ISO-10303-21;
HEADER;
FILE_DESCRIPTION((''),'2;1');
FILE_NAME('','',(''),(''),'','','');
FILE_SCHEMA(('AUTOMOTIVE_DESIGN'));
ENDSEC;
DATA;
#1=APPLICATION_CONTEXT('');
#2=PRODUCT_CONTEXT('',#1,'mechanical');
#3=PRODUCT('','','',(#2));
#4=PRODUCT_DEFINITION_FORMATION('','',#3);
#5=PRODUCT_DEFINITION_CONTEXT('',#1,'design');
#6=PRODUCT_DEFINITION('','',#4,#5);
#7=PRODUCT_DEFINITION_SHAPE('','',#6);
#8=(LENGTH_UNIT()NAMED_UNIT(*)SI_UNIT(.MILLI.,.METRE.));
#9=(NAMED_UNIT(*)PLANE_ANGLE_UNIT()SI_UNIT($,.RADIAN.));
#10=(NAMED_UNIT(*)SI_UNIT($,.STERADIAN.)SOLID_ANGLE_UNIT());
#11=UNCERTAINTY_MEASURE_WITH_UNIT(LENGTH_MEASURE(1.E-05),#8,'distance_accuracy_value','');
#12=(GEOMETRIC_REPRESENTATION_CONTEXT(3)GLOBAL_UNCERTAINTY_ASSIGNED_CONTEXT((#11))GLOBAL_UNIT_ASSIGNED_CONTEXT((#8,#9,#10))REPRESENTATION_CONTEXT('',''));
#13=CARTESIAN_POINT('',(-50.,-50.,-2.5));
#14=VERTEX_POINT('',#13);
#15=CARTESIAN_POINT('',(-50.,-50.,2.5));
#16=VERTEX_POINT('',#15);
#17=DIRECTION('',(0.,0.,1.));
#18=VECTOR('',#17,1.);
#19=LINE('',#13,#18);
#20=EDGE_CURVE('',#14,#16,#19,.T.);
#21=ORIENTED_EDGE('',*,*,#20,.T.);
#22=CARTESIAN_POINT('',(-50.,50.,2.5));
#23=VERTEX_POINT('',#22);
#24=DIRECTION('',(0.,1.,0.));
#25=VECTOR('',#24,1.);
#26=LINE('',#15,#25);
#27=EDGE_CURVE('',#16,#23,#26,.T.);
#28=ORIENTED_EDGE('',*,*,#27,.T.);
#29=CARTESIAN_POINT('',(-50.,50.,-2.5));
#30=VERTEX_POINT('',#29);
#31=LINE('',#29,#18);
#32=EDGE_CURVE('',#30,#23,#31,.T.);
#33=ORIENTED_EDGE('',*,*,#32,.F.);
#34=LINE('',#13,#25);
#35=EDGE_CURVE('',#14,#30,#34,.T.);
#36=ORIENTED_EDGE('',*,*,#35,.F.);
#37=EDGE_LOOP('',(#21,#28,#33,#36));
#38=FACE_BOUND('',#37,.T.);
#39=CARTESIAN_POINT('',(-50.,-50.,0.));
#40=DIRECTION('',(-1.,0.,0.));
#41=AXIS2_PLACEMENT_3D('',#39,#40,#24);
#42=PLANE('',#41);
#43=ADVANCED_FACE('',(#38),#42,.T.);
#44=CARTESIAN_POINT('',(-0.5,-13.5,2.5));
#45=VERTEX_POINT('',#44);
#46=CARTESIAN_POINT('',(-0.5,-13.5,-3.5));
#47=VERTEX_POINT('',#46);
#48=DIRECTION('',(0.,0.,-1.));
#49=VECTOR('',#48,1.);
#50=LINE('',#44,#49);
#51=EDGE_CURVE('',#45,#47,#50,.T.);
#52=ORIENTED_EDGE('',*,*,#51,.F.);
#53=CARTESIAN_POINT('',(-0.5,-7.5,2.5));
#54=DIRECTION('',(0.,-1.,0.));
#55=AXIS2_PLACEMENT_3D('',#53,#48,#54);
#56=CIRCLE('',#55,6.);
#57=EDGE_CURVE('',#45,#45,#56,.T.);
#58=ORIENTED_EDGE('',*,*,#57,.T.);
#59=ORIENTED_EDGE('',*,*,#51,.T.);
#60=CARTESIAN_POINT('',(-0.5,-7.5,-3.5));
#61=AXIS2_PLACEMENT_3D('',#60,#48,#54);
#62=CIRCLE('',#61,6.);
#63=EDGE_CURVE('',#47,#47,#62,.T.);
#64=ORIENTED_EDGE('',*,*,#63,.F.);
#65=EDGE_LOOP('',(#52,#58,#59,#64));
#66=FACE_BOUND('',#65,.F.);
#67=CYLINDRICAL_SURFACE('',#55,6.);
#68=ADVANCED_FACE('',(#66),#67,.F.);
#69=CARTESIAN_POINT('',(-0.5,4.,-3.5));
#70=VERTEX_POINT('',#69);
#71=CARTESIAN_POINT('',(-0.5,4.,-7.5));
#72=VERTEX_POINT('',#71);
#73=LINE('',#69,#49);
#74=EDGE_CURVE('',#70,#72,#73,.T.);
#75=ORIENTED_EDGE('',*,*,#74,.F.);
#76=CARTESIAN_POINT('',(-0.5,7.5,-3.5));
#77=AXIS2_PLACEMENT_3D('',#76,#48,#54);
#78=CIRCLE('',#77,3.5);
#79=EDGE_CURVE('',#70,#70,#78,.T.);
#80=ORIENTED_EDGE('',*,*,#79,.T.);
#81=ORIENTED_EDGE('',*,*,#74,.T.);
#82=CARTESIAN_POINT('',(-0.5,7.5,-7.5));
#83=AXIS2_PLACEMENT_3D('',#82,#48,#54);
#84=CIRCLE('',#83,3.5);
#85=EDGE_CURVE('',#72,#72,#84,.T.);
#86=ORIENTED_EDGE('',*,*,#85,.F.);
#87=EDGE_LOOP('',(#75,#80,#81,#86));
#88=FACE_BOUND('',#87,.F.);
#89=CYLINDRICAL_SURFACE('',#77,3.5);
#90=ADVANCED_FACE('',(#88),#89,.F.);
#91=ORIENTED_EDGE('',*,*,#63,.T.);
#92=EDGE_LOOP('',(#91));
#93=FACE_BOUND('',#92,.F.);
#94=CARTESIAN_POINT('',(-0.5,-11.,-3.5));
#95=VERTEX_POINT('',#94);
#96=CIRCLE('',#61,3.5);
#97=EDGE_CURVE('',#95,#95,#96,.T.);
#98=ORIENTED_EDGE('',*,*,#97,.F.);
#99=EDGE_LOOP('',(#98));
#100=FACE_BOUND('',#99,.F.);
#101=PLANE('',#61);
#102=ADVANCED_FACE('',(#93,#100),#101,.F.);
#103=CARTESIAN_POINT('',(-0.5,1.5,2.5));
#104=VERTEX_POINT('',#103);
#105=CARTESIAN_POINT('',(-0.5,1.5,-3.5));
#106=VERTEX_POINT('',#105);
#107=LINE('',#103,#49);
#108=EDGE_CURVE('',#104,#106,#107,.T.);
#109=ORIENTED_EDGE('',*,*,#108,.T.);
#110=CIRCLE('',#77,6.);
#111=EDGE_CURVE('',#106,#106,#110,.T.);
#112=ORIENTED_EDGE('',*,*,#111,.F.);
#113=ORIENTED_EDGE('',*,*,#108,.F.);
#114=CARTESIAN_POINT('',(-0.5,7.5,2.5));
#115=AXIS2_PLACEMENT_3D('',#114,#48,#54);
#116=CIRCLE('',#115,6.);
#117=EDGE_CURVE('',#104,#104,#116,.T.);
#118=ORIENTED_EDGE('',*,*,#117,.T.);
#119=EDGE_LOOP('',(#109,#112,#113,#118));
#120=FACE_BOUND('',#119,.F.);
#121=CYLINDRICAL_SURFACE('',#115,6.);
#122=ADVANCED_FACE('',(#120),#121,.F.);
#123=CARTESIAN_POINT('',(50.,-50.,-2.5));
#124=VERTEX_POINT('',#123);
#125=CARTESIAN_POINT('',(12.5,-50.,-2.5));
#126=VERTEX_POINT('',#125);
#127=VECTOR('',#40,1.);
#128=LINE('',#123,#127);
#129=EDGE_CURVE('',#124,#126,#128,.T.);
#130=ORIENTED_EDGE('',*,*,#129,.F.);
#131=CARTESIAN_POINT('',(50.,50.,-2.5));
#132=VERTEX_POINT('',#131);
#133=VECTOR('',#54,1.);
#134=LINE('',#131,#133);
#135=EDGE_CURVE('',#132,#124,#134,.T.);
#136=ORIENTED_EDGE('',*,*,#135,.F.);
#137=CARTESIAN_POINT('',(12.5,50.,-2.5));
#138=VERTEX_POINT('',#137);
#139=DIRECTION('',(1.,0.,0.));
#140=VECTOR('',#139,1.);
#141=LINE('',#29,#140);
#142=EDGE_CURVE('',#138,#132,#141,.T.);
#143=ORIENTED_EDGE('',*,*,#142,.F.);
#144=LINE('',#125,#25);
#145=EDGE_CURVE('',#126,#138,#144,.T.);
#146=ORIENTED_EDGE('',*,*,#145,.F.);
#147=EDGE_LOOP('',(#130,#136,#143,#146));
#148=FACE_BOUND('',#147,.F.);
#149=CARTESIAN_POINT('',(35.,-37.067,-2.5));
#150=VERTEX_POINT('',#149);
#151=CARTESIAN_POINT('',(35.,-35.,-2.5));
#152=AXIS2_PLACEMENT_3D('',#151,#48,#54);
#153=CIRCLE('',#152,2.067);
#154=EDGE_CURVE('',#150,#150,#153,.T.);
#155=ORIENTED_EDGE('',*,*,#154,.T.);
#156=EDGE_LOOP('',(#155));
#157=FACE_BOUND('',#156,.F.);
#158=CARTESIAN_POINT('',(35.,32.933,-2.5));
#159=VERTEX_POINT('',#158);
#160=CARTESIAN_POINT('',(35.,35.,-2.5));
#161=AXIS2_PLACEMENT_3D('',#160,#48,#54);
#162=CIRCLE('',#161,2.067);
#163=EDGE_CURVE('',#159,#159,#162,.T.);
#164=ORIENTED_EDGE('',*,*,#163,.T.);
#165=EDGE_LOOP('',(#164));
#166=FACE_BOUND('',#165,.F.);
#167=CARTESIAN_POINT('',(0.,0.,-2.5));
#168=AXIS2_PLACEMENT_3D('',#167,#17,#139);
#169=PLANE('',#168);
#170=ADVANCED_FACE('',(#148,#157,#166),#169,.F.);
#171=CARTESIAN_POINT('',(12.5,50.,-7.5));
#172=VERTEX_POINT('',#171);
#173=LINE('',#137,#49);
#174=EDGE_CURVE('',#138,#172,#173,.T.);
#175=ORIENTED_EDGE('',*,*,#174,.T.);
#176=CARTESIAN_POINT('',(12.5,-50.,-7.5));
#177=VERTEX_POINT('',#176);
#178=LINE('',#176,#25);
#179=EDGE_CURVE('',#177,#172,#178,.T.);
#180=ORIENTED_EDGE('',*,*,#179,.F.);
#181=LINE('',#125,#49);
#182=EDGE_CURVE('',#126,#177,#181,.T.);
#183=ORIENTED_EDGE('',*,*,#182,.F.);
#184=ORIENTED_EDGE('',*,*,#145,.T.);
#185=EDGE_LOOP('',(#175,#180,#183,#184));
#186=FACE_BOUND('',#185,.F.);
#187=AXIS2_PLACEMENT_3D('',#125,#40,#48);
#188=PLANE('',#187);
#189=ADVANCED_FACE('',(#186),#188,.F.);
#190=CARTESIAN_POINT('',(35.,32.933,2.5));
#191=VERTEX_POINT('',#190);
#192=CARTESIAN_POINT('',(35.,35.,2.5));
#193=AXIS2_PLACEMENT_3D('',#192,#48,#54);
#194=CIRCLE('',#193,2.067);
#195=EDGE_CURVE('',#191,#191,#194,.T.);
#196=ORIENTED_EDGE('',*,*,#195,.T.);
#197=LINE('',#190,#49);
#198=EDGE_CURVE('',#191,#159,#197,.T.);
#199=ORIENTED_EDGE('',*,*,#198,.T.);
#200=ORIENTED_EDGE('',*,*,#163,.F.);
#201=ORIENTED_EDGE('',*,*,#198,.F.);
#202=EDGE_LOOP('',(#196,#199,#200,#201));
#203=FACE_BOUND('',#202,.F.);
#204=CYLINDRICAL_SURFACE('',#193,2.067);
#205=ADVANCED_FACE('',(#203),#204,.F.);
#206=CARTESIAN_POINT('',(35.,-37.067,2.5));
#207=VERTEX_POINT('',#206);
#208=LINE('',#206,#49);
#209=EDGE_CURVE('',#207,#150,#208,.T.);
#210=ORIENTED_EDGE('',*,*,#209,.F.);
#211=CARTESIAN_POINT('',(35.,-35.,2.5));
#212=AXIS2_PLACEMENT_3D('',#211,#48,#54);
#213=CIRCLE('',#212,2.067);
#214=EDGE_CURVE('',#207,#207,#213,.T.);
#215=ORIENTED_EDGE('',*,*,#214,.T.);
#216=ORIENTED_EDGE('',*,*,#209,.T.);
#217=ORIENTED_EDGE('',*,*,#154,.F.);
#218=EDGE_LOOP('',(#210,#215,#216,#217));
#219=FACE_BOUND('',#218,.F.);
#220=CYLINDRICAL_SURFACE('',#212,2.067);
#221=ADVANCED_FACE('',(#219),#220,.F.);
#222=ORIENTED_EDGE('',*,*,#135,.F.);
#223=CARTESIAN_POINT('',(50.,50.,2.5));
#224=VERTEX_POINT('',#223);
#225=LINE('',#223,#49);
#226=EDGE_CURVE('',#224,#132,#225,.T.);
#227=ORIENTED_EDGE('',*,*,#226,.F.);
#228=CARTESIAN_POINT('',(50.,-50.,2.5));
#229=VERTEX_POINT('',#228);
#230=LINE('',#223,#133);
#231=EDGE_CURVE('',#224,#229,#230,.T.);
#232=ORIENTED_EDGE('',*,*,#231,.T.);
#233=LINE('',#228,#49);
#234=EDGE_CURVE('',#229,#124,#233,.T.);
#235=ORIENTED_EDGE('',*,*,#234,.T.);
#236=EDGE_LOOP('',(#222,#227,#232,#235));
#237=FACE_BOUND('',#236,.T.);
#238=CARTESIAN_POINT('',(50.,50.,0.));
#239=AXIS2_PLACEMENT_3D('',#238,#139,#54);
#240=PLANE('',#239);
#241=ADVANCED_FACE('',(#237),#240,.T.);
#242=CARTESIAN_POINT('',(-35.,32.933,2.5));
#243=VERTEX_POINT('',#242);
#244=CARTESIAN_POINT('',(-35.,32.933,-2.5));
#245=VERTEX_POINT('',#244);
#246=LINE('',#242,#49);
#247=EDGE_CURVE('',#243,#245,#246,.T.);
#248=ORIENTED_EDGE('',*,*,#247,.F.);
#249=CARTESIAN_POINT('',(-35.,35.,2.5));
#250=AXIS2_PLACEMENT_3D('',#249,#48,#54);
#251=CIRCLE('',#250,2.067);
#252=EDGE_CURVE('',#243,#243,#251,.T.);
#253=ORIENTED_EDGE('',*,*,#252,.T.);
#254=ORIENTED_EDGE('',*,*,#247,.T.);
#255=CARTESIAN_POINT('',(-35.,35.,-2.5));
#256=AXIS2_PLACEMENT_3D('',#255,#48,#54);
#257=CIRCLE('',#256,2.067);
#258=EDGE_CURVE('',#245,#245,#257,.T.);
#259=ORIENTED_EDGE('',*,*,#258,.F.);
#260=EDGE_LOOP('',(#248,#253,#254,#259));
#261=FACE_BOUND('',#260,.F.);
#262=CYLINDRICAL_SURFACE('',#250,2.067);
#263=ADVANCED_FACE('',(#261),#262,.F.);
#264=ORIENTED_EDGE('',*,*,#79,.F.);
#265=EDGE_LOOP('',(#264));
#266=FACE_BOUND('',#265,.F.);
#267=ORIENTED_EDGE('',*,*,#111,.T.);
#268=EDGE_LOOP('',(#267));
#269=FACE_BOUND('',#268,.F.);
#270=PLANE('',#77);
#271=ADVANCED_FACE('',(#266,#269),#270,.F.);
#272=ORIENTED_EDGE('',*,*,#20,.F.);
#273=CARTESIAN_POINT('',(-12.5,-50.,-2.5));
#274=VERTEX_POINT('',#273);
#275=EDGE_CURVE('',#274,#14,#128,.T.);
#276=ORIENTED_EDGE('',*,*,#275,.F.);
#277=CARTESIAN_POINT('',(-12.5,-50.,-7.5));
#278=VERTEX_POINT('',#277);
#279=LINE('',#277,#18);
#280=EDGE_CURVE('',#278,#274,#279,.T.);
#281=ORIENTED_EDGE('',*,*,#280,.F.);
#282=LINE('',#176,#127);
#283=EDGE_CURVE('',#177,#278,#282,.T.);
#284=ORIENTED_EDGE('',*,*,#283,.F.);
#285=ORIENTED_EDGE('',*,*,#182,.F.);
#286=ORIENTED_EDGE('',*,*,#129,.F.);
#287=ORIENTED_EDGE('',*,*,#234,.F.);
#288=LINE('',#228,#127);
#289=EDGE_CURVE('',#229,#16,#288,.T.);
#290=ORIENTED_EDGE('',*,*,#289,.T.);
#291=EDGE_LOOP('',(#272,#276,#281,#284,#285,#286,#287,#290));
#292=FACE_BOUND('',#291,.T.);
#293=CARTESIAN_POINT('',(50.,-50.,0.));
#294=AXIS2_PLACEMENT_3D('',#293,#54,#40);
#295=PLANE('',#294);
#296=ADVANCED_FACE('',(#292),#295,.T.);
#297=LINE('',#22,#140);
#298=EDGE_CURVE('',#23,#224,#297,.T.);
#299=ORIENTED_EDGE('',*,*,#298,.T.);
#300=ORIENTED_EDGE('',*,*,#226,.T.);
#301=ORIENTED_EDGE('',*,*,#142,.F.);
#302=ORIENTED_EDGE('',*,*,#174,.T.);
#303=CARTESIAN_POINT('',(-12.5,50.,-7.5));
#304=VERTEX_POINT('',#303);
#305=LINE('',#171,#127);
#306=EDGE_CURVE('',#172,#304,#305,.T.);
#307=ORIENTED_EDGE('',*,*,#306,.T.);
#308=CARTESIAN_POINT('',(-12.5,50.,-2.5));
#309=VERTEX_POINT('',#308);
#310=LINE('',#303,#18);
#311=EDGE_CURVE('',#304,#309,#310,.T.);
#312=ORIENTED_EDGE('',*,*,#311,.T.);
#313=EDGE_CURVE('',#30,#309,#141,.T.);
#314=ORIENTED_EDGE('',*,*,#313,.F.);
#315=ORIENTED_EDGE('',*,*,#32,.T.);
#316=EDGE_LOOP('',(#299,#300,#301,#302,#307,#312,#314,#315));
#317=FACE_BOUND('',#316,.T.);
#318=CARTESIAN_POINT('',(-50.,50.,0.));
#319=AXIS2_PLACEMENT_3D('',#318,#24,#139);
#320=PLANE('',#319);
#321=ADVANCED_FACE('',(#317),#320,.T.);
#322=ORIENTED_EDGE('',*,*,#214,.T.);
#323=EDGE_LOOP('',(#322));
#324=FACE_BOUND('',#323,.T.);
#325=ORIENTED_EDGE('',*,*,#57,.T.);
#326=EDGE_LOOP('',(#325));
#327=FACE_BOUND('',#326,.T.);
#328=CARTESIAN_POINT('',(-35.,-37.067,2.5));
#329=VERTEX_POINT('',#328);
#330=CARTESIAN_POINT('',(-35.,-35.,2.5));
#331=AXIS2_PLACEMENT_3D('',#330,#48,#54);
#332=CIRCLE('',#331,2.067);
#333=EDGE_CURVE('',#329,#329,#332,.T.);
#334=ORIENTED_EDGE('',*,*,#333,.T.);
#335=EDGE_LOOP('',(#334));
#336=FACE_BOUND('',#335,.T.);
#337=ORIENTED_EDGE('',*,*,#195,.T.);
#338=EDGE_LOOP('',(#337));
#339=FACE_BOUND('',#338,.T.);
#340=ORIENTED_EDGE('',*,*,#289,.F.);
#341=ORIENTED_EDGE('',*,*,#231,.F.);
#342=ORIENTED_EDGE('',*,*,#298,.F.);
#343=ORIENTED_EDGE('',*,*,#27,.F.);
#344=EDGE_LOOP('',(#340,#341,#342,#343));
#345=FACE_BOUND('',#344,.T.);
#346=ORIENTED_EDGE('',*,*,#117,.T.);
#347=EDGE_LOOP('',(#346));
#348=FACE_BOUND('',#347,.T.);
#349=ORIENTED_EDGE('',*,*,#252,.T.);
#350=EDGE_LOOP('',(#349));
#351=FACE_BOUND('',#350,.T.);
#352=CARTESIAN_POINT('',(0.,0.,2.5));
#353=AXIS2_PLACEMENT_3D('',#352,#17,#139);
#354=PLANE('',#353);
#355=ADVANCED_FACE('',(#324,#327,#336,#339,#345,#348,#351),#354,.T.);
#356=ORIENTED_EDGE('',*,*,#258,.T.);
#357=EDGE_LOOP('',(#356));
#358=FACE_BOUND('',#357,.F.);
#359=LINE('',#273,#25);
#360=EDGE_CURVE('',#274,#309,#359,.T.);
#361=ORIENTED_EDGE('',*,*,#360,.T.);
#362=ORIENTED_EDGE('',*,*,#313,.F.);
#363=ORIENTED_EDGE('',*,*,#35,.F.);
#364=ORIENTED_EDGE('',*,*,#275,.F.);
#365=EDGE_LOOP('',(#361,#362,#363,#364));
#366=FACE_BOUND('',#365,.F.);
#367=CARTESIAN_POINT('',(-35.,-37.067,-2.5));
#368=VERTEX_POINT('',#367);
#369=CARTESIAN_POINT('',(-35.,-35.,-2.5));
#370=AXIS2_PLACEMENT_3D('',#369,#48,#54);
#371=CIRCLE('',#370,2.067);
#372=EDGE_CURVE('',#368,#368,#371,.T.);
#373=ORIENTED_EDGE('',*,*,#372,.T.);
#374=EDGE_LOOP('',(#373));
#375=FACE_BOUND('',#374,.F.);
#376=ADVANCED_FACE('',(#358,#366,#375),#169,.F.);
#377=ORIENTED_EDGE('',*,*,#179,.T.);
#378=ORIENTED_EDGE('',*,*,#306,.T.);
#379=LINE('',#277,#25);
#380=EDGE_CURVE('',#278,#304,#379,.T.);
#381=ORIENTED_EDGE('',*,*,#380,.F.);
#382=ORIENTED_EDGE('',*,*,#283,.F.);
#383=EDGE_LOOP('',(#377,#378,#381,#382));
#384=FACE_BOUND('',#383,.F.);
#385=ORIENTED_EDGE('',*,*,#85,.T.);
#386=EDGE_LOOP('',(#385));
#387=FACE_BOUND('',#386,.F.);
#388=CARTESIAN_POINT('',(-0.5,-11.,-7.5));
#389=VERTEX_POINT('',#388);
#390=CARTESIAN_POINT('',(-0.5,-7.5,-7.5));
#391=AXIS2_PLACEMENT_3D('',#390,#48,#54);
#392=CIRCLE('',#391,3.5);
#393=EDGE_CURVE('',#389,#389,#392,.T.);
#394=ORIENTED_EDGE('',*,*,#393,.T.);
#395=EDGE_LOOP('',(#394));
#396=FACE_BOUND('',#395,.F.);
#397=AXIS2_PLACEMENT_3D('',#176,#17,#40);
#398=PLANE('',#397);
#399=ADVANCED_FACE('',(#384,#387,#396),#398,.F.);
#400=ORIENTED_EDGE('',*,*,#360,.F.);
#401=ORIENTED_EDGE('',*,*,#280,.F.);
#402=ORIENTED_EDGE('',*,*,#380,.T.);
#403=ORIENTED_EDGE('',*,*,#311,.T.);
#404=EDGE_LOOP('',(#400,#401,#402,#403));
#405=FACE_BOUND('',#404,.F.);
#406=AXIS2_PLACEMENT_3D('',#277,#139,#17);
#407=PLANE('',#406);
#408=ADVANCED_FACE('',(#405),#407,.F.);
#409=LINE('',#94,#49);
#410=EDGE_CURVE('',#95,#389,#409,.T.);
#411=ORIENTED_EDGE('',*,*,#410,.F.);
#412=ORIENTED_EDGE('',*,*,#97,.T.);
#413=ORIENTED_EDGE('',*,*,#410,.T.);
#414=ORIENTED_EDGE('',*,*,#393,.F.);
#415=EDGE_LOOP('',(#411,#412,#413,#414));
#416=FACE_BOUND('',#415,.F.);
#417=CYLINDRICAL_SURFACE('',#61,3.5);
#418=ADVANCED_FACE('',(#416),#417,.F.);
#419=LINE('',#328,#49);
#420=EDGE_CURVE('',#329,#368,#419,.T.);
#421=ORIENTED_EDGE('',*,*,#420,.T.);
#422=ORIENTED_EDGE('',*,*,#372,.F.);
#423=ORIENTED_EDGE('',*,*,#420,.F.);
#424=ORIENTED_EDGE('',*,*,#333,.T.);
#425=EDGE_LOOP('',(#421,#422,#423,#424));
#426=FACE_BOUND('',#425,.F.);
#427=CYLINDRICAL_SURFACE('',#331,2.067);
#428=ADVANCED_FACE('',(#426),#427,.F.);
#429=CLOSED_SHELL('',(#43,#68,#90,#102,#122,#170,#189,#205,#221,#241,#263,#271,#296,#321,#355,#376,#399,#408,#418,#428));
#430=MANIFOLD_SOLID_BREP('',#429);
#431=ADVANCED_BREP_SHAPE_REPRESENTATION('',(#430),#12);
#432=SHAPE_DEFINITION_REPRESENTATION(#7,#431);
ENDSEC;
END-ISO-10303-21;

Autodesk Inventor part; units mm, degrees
ref_plane "YZ Plane" through (0, 0, 0) normal (1, 0, 0) x (0, 1, 0)
ref_plane "XZ Plane" through (0, 0, 0) normal (0, 1, 0) x (-1, 0, 0)
ref_plane "XY Plane" through (0, 0, 0) normal (0, 0, 1) x (1, 0, 0)
sketch "Sketch4" plane through (0, 0, 0) normal (0, 0, 1) x (1, 0, 0)
  line L0 (-50, 50) -> (50, 50)
  line L1 (50, 50) -> (50, -50)
  line L2 (50, -50) -> (-50, -50)
  line L3 (-50, -50) -> (-50, 50)
  line L4 (-50, 50) -> (50, -50) construction
  line L5 (50, 50) -> (-50, -50) construction
  point P0 (0, 0)
  dimension "d34" = 100
  dimension "d35" = 100
extrude "Extrusion2" add sketch "Sketch4" along normal mid plane 5
sketch "Sketch5" plane through (-50, -50, 2.5) normal (0, -1, 0) x (1, 0, 0)
  line L0 (0, -5) -> (100, -5) projected
  line L1 (37.5, -5) -> (62.5, -5)
  line L2 (62.5, -5) -> (62.5, -10)
  line L3 (62.5, -10) -> (37.5, -10)
  line L4 (37.5, -10) -> (37.5, -5)
  line L5 (100, -5) -> (0, -5) projected
  point P0 (50, -2.5)
  point P1 (50, -5)
  point P2 (62.5, -7.5)
  point P3 (37.5, -7.5)
  point P4 (50, -5)
  dimension "d38" = 25
  dimension "d39" = 12.5
  dimension "d40" = 5
extrude "Extrusion3" add sketch "Sketch5" against normal up to surface (100 mm away)
sketch "Sketch6" plane through (0, 0, 2.5) normal (0, 0, 1) x (1, 0, 0)
  circle A0 centre (-0.5, 7.5) radius 2.4585 projected
  line L0 (-12.5, 13.5) -> (12.5, 13.5) projected
  circle A1 centre (-0.5, -7.5) radius 2.4585 projected
  point P0 (0, 0)
hole "Hole3" at (-0.5, -7.5, 2.5) at (-0.5, 7.5, 2.5) direction (0, 0, -1) diameter 7 depth 10 tip angle 118 counterbore diameter 12 counterbore depth 6
sketch "Sketch7" plane through (0, 0, 2.5) normal (0, 0, 1) x (1, 0, 0)
  line L0 (50, -50) -> (50, 50) projected
  line L1 (-50, -50) -> (50, -50) projected
  line L2 (50, 50) -> (-50, 50) projected
  line L3 (-50, 50) -> (-50, -50) projected
  point P0 (0, 0)
  point P1 (35, -35)
  point P2 (-35, -35)
  point P3 (-35, 35)
  point P4 (35, 35)
  dimension "d50" = 15
  dimension "d51" = 15
  dimension "d52" = 15
  dimension "d53" = 15
hole "Hole4" at (35, -35, 2.5) at (-35, -35, 2.5) at (-35, 35, 2.5) at (35, 35, 2.5) direction (0, 0, -1) diameter 4.134 depth 14.2 tip angle 118 thread size "M5x0.8" class "6H" standard "ISO Metric profile"
sketch "Sketch1" plane through (0, 0, 0) normal (0, 1, 0) x (-1, 0, 0)
  line L0 (65, -7.5) -> (-65, -7.5)
  line L1 (-65, -7.5) -> (-65, -7.5)
  line L2 (-65, -7.5) -> (-65, -7.5)
  line L3 (-65, -7.5) -> (-65, 2.5)
  line L4 (-65, 2.5) -> (-35, 2.5)
  line L5 (-35, 2.5) -> (-35, -2.5)
  line L6 (-35, -2.5) -> (65, -2.5)
  line L7 (65, -2.5) -> (65, -7.5)
  point P0 (0, 0)
  dimension "d0" = 130
  dimension "d1" = 130
  dimension "d2" = 30
  dimension "d5" = 5
  dimension "d6" = 5
  dimension "d7" = 10
  dimension "d8" = 65
  dimension "d9" = 7.5
sketch "Sketch3" plane through (65, 40, -7.5) normal (0, 0, -1) x (-1, 0, 0)
  line L0 (0, 0) -> (130, 0) projected
  line L1 (0, -80) -> (0, 0) projected
  point P0 (65, -40)
  point P1 (65, -40)
  point P2 (12, -32.5)
  point P3 (12, -47.5)
  dimension "d23" = 15
  dimension "d25" = 32.5
  dimension "d26" = 12
properties part number "HCMUTE-CDT23-BAN_CAN_LOADCELL" material "Stainless Steel"
